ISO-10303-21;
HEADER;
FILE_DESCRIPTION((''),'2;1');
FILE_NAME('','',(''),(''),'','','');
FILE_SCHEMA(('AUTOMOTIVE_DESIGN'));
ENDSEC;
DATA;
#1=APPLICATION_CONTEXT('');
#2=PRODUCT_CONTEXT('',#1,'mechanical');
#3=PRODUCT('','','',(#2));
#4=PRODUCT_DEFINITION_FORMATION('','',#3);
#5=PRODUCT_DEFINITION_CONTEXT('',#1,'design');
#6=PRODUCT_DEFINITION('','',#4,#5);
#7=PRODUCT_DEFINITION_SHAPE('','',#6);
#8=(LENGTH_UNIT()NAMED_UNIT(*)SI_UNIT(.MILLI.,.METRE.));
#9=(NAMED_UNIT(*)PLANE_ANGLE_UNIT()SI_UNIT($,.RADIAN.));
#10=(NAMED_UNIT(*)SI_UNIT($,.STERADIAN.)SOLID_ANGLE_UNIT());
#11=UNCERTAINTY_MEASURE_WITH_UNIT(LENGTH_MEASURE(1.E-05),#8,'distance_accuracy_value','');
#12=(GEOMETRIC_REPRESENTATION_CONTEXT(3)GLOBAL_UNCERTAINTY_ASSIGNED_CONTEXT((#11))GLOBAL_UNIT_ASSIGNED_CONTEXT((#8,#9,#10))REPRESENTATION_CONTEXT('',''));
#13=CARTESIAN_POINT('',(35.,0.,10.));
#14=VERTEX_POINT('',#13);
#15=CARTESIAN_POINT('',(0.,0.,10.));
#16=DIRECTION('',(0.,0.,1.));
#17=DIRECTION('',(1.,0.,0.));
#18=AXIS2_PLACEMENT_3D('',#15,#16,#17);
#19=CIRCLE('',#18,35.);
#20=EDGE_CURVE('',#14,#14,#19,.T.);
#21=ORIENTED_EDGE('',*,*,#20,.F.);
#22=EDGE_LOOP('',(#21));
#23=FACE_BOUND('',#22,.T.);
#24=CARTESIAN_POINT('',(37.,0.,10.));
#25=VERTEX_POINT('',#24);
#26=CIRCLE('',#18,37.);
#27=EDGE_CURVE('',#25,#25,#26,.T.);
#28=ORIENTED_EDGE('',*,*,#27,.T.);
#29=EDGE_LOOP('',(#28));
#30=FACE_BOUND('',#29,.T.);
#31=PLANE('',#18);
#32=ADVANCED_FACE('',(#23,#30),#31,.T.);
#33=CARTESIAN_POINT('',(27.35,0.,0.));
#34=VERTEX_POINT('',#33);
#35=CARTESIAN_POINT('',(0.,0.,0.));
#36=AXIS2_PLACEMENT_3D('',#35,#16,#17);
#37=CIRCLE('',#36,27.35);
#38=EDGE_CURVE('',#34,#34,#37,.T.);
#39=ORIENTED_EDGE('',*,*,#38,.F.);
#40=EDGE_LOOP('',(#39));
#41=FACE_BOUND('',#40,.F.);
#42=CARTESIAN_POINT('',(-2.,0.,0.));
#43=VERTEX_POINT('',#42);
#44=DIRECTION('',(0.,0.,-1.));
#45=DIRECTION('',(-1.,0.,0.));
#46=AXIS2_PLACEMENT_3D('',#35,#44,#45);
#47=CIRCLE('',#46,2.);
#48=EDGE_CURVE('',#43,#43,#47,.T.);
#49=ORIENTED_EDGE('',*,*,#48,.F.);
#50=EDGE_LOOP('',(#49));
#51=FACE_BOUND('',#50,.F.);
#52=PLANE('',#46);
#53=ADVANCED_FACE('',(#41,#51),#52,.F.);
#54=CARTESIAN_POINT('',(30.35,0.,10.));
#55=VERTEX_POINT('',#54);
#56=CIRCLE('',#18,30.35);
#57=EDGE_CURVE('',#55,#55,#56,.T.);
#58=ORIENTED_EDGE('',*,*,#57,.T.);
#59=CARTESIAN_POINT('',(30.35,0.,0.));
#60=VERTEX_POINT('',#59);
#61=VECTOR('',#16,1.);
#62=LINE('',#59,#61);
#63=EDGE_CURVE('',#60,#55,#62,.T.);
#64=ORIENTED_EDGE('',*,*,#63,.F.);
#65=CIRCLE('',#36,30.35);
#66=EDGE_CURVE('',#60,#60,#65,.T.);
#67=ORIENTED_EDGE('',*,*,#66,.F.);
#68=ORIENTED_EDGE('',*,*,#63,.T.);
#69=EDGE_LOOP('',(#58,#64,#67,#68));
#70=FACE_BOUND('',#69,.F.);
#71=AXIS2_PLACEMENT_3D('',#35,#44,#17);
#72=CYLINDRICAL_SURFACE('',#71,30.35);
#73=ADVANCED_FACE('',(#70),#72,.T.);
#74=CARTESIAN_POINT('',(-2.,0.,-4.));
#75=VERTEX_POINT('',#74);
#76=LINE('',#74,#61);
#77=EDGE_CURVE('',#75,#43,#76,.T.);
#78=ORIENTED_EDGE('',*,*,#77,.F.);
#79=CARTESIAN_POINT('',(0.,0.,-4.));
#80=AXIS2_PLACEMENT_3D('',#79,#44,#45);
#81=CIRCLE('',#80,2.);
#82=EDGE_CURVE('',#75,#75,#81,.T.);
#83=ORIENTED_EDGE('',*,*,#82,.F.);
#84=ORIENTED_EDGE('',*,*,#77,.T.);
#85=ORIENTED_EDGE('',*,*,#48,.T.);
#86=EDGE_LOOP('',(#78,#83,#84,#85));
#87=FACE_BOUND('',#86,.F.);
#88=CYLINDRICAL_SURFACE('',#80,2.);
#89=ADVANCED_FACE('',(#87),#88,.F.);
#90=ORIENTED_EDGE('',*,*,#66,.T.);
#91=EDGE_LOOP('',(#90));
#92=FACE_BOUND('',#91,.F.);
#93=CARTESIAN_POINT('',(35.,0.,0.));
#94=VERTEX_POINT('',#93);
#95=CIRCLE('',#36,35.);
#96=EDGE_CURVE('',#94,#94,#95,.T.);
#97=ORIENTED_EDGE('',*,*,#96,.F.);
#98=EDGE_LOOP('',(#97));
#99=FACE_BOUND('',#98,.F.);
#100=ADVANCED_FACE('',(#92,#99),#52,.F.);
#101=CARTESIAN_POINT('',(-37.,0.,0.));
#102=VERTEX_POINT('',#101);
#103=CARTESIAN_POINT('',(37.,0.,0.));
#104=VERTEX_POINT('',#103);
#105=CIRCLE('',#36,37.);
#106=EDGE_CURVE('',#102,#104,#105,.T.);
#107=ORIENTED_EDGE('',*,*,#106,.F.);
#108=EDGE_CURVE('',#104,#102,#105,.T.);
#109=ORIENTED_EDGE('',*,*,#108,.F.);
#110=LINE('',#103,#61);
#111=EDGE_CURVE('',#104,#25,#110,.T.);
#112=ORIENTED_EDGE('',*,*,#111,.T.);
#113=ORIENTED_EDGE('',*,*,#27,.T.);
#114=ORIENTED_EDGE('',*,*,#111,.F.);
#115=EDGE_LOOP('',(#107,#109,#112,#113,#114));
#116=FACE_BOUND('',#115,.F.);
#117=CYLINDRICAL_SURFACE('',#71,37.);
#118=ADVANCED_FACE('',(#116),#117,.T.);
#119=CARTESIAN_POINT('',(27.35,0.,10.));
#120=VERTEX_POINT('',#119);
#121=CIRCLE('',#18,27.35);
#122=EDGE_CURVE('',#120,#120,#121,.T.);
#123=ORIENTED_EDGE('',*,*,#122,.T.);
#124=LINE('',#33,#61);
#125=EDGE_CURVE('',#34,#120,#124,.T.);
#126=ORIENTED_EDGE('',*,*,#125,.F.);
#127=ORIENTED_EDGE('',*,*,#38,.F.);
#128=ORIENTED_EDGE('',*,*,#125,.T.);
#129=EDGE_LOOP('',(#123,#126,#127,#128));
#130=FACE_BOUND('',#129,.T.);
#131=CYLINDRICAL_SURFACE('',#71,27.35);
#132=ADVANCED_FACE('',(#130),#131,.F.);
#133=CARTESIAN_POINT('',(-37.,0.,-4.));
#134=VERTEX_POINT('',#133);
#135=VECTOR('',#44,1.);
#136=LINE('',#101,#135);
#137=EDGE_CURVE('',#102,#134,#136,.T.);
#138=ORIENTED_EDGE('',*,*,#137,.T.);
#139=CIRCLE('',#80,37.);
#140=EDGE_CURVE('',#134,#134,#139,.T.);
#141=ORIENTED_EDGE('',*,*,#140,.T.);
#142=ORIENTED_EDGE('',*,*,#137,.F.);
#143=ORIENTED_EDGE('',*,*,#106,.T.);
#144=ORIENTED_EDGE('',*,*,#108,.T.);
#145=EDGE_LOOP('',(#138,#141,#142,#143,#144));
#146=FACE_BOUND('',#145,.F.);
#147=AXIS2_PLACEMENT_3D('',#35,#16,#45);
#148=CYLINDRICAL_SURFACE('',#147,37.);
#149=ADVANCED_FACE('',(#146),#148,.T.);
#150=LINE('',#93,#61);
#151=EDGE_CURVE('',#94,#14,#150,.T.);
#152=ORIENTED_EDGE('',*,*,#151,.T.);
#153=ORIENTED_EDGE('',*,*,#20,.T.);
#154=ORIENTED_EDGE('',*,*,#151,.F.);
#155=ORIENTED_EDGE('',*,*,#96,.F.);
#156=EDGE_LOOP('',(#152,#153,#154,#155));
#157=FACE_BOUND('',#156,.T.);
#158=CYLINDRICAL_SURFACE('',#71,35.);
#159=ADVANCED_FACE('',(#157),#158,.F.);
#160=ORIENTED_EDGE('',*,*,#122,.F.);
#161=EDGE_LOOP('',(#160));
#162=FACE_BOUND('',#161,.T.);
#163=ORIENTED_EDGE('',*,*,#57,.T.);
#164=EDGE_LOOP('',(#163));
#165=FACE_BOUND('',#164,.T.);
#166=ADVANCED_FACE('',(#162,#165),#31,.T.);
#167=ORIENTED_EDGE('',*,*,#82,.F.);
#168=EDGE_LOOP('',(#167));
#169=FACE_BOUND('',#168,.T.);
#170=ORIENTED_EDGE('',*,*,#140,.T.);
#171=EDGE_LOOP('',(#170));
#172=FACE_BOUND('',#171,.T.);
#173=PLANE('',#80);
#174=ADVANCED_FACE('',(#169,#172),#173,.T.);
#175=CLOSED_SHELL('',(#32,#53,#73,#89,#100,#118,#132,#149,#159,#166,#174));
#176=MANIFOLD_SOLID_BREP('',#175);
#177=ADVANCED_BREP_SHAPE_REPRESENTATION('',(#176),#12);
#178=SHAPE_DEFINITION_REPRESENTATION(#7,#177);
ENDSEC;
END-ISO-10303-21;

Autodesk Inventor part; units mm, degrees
ref_plane "YZ Plane" through (0, 0, 0) normal (1, 0, 0) x (0, 1, 0)
ref_plane "XZ Plane" through (0, 0, 0) normal (0, 1, 0) x (-1, 0, 0)
ref_plane "XY Plane" through (0, 0, 0) normal (0, 0, 1) x (1, 0, 0)
sketch "Boceto1" plane through (0, 0, 0) normal (0, 0, 1) x (1, 0, 0)
  circle A0 centre (0, 0) radius 30.35
  circle A1 centre (0, 0) radius 35
  circle A2 centre (0, 0) radius 27.35
  circle A3 centre (0, 0) radius 37
  dimension "d0" = 60.7
  dimension "d1" = 70
  dimension "d2" = 3
  dimension "d3" = 2
extrude "Extrusión1" add sketch "Boceto1" along normal blind 10
sketch "Boceto2" plane through (0, 0, 0) normal (0, 0, -1) x (-1, 0, 0)
  circle A0 centre (0, 0) radius 30.35
  circle A1 centre (0, 0) radius 35
  circle A2 centre (0, 0) radius 37
extrude "Extrusión2" add sketch "Boceto2" along normal blind 4 contours A0 | A1 | A2
sketch "Boceto3" plane through (0, 0, -4) normal (0, 0, -1) x (-1, 0, 0)
  circle A0 centre (0, 0) radius 2
  dimension "d8" = 4
extrude "Extrusión3" cut sketch "Boceto3" against normal blind 4
properties part number "base_estable_soporte_3DPrint"
